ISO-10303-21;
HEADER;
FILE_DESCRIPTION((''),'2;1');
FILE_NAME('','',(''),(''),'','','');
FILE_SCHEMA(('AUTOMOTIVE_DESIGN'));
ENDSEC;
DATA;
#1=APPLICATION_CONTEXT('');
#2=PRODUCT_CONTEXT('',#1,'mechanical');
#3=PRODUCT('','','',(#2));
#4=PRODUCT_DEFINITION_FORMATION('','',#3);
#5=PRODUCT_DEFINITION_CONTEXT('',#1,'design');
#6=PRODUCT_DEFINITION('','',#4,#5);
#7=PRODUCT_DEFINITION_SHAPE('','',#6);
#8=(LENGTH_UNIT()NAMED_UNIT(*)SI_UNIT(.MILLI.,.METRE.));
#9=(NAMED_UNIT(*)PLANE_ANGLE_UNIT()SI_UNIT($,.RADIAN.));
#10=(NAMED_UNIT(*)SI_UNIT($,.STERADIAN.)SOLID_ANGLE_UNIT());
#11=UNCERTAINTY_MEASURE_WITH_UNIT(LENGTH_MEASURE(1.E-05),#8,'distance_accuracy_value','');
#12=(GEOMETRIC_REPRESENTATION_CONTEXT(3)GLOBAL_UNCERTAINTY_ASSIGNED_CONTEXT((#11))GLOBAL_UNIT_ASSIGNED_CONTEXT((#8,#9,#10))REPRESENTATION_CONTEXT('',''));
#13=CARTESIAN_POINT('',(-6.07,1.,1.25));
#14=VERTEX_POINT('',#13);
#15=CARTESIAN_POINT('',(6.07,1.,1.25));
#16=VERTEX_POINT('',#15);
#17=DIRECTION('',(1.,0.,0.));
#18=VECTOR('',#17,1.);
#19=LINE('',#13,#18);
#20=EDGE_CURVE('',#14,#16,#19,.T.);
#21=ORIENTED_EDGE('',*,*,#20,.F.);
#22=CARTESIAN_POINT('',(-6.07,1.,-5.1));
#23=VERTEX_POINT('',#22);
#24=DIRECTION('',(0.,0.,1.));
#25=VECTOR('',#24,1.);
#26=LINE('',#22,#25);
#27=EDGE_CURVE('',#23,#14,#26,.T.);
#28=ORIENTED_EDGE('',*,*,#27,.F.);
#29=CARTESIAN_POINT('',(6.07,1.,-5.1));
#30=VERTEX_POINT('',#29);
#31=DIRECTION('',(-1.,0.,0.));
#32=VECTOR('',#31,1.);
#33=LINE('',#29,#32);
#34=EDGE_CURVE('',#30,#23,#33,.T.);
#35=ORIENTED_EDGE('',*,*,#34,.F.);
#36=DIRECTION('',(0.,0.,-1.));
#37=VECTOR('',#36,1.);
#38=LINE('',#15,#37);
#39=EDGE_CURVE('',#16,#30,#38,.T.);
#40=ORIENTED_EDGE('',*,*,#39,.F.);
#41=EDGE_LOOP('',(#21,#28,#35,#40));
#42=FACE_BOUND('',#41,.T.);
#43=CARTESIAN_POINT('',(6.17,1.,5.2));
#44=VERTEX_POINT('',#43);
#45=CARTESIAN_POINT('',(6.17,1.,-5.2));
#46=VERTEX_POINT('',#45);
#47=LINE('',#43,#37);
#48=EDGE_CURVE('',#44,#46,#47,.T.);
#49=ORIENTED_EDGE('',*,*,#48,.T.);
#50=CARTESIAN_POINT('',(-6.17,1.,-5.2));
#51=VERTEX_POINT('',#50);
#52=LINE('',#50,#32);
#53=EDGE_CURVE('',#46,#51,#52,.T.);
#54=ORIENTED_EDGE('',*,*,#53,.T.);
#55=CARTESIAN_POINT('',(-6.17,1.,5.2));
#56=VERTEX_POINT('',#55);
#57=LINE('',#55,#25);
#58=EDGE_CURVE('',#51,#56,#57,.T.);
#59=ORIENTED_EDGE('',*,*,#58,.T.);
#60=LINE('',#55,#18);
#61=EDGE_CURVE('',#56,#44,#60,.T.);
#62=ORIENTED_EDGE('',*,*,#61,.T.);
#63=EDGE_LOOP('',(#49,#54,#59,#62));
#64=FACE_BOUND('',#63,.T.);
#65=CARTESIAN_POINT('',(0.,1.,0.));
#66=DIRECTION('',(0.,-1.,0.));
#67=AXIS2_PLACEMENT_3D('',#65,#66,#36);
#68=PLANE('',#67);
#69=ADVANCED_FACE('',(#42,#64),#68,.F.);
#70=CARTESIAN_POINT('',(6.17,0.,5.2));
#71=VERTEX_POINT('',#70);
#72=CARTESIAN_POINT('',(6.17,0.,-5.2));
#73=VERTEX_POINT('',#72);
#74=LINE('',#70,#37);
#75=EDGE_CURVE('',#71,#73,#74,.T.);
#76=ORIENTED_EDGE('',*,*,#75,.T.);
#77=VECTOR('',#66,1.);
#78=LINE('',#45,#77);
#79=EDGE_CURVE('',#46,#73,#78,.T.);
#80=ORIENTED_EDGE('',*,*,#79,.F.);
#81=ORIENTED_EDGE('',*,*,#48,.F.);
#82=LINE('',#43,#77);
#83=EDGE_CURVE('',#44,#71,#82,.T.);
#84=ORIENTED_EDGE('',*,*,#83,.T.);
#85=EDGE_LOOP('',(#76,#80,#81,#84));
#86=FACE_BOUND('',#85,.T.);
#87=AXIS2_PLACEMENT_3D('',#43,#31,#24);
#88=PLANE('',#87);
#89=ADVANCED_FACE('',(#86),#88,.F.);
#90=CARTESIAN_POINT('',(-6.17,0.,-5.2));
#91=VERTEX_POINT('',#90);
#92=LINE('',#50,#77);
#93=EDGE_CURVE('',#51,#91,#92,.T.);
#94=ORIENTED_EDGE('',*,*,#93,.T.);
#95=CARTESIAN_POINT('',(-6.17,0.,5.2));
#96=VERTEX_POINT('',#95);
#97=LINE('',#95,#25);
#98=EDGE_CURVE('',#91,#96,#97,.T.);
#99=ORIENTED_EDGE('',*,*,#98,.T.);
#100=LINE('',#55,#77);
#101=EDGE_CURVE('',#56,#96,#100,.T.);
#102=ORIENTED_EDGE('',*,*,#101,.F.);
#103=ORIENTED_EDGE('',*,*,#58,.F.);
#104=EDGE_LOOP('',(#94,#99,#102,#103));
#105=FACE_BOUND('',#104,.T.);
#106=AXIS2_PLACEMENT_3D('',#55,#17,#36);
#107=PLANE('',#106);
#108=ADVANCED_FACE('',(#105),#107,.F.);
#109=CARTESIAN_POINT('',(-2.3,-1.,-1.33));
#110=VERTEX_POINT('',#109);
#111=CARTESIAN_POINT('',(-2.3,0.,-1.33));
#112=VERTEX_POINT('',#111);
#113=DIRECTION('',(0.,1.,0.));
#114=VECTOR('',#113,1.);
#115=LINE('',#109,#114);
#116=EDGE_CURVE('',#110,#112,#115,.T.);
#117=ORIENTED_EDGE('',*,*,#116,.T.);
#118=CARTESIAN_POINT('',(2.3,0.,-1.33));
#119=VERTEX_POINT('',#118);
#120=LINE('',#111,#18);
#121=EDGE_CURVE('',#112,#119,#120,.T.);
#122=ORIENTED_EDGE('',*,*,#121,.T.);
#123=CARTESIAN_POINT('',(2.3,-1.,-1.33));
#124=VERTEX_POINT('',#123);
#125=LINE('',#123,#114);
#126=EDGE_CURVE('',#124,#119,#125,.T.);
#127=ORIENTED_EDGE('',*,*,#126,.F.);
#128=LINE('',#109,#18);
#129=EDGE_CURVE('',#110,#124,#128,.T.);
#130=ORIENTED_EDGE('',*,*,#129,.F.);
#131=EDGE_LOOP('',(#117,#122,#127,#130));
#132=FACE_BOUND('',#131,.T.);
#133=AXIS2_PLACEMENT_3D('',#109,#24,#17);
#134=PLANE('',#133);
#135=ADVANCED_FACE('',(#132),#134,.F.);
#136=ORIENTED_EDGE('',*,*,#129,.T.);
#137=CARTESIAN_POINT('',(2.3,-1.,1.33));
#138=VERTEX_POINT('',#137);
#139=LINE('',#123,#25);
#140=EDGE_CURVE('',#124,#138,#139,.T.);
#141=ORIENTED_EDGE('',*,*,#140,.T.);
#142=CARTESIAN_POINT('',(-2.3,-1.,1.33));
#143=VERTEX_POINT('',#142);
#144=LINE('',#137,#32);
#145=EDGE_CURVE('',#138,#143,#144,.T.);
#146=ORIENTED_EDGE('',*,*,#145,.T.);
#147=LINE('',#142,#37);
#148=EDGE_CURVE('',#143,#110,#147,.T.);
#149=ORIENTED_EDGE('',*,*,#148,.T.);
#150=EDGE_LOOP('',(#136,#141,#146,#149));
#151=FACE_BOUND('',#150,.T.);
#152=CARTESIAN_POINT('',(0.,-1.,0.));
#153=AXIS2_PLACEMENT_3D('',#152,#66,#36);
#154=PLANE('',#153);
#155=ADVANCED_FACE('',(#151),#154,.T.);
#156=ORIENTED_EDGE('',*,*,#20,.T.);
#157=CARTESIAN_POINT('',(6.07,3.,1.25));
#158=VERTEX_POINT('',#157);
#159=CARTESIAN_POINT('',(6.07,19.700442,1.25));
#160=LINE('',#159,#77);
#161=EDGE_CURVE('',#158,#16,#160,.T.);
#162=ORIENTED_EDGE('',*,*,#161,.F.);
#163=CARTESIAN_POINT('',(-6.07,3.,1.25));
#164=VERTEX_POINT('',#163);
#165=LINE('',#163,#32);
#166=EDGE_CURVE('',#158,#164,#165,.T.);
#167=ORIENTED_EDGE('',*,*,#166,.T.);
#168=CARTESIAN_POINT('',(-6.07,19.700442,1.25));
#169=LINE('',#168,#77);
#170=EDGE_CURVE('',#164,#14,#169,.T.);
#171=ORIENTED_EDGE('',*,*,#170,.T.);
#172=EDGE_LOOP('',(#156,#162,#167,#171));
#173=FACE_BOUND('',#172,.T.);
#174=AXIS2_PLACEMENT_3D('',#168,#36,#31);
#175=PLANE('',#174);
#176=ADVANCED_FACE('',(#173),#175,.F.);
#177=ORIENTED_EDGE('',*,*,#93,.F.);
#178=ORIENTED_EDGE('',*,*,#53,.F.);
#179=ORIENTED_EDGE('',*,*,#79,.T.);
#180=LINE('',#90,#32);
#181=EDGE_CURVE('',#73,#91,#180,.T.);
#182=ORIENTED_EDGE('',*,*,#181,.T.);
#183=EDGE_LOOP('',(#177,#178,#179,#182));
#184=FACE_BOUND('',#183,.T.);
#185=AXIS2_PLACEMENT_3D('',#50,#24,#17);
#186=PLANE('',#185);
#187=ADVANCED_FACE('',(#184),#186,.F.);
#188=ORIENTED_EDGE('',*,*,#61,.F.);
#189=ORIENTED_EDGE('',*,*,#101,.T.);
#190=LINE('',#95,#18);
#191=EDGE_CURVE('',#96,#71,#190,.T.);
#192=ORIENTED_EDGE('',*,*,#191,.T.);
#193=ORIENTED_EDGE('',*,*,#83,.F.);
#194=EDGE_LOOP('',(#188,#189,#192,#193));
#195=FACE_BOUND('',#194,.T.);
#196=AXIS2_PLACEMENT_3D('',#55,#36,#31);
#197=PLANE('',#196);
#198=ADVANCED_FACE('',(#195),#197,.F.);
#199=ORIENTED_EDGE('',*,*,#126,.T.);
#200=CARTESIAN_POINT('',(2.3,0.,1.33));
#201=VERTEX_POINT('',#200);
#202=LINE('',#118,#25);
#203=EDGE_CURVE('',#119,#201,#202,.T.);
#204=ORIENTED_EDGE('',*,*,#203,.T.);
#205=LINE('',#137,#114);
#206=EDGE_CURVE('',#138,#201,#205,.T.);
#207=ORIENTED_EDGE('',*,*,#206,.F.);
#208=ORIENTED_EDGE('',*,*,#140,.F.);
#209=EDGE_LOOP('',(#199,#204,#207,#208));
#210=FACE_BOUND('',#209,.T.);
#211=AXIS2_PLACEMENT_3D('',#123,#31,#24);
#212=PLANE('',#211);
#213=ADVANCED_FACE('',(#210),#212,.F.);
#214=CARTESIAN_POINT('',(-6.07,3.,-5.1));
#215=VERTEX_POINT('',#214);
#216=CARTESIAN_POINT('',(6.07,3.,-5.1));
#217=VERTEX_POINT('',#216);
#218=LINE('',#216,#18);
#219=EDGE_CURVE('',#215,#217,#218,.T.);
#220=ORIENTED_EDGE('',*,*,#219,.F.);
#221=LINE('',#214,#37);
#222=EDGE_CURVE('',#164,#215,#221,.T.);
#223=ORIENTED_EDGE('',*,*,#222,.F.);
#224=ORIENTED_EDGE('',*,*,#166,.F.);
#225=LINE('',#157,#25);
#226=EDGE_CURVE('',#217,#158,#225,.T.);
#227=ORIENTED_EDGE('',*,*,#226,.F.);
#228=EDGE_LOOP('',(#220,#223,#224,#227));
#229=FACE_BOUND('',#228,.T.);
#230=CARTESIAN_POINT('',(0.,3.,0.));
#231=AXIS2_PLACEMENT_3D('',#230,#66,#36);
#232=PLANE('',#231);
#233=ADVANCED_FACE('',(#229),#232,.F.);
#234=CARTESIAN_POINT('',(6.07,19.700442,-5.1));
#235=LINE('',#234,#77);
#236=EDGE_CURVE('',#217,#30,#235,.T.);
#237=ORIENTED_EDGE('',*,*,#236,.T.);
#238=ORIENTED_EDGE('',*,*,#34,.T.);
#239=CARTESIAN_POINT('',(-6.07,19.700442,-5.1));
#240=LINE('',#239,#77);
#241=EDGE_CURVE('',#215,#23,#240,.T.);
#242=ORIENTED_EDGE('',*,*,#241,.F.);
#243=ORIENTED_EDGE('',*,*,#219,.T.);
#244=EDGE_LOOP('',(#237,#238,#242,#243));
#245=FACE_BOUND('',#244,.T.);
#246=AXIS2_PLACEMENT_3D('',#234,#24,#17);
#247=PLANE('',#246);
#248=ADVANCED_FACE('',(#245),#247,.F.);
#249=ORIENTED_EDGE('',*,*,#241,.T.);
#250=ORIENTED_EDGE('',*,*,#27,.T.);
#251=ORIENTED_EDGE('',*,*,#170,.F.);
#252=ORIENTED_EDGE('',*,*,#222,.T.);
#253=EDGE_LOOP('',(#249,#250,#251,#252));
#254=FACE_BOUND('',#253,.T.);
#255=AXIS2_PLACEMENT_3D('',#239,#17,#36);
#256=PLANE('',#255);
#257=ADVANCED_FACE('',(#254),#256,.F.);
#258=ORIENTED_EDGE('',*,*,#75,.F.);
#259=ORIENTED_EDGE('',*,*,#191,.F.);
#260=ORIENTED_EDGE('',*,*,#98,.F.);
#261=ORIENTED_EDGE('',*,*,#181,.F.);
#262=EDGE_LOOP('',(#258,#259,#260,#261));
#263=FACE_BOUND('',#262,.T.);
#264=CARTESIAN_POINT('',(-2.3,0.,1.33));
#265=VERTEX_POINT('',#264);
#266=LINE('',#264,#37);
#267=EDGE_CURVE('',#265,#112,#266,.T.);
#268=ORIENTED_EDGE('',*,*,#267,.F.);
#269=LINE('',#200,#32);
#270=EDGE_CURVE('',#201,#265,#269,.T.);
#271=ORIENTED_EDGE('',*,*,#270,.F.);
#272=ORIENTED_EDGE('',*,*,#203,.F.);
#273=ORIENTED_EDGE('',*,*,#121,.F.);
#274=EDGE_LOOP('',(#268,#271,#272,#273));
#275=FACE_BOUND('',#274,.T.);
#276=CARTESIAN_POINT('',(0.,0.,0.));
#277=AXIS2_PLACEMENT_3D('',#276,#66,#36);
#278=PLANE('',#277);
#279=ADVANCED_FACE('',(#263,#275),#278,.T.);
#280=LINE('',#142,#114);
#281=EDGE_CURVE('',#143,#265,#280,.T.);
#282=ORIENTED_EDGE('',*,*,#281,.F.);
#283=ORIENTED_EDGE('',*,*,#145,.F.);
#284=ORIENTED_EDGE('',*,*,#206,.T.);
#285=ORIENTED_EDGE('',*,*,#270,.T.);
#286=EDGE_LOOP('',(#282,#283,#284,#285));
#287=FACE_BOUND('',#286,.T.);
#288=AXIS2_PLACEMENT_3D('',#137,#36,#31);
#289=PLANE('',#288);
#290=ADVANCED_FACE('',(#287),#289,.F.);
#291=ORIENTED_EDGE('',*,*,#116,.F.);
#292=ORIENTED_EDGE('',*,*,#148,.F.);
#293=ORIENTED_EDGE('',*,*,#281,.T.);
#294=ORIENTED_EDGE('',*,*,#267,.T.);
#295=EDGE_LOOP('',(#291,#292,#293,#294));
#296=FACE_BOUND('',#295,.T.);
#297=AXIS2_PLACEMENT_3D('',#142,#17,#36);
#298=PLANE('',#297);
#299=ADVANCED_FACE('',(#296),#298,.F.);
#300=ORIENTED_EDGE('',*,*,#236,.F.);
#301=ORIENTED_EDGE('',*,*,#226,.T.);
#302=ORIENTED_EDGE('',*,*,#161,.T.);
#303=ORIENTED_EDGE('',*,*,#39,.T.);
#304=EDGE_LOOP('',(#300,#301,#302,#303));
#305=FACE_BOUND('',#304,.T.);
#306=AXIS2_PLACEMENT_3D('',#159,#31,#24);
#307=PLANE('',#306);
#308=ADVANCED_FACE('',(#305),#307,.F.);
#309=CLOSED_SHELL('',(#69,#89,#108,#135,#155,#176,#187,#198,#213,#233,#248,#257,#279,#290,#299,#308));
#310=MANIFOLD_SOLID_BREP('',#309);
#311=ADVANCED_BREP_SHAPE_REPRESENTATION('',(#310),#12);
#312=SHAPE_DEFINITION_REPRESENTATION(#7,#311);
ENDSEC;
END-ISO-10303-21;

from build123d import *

# Parameters (mm, degrees)
SKETCH1_W           = 12.34
SKETCH1_H           = 10.4
BOSS_EXTRUDE1_DEPTH = 1
SKETCH2_W           = 12.14
SKETCH2_H           = 6.35
BOSS_EXTRUDE2_DEPTH = 2
SKETCH3_W           = 4.6
SKETCH3_H           = 2.66
BOSS_EXTRUDE3_DEPTH = 1


with BuildPart() as part:
    # Sketch1 → Boss-Extrude1 (new body)
    with BuildSketch(Plane(origin=(0, 0, 0), x_dir=(1, 0, 0), z_dir=(0, 1, 0))):
        Rectangle(SKETCH1_W, SKETCH1_H)
    extrude(amount=BOSS_EXTRUDE1_DEPTH)

    # Sketch2 → Boss-Extrude2 (add)
    with BuildSketch(Plane(origin=(0, 1, 0), x_dir=(1, 0, 0), z_dir=(0, 1, 0))):
        with Locations((0, 1.925)):
            Rectangle(SKETCH2_W, SKETCH2_H)
    extrude(amount=BOSS_EXTRUDE2_DEPTH)

    # Sketch3 → Boss-Extrude3 (add)
    with BuildSketch(Plane.XZ):
        Rectangle(SKETCH3_W, SKETCH3_H)
    extrude(amount=BOSS_EXTRUDE3_DEPTH)


solid = part.part
